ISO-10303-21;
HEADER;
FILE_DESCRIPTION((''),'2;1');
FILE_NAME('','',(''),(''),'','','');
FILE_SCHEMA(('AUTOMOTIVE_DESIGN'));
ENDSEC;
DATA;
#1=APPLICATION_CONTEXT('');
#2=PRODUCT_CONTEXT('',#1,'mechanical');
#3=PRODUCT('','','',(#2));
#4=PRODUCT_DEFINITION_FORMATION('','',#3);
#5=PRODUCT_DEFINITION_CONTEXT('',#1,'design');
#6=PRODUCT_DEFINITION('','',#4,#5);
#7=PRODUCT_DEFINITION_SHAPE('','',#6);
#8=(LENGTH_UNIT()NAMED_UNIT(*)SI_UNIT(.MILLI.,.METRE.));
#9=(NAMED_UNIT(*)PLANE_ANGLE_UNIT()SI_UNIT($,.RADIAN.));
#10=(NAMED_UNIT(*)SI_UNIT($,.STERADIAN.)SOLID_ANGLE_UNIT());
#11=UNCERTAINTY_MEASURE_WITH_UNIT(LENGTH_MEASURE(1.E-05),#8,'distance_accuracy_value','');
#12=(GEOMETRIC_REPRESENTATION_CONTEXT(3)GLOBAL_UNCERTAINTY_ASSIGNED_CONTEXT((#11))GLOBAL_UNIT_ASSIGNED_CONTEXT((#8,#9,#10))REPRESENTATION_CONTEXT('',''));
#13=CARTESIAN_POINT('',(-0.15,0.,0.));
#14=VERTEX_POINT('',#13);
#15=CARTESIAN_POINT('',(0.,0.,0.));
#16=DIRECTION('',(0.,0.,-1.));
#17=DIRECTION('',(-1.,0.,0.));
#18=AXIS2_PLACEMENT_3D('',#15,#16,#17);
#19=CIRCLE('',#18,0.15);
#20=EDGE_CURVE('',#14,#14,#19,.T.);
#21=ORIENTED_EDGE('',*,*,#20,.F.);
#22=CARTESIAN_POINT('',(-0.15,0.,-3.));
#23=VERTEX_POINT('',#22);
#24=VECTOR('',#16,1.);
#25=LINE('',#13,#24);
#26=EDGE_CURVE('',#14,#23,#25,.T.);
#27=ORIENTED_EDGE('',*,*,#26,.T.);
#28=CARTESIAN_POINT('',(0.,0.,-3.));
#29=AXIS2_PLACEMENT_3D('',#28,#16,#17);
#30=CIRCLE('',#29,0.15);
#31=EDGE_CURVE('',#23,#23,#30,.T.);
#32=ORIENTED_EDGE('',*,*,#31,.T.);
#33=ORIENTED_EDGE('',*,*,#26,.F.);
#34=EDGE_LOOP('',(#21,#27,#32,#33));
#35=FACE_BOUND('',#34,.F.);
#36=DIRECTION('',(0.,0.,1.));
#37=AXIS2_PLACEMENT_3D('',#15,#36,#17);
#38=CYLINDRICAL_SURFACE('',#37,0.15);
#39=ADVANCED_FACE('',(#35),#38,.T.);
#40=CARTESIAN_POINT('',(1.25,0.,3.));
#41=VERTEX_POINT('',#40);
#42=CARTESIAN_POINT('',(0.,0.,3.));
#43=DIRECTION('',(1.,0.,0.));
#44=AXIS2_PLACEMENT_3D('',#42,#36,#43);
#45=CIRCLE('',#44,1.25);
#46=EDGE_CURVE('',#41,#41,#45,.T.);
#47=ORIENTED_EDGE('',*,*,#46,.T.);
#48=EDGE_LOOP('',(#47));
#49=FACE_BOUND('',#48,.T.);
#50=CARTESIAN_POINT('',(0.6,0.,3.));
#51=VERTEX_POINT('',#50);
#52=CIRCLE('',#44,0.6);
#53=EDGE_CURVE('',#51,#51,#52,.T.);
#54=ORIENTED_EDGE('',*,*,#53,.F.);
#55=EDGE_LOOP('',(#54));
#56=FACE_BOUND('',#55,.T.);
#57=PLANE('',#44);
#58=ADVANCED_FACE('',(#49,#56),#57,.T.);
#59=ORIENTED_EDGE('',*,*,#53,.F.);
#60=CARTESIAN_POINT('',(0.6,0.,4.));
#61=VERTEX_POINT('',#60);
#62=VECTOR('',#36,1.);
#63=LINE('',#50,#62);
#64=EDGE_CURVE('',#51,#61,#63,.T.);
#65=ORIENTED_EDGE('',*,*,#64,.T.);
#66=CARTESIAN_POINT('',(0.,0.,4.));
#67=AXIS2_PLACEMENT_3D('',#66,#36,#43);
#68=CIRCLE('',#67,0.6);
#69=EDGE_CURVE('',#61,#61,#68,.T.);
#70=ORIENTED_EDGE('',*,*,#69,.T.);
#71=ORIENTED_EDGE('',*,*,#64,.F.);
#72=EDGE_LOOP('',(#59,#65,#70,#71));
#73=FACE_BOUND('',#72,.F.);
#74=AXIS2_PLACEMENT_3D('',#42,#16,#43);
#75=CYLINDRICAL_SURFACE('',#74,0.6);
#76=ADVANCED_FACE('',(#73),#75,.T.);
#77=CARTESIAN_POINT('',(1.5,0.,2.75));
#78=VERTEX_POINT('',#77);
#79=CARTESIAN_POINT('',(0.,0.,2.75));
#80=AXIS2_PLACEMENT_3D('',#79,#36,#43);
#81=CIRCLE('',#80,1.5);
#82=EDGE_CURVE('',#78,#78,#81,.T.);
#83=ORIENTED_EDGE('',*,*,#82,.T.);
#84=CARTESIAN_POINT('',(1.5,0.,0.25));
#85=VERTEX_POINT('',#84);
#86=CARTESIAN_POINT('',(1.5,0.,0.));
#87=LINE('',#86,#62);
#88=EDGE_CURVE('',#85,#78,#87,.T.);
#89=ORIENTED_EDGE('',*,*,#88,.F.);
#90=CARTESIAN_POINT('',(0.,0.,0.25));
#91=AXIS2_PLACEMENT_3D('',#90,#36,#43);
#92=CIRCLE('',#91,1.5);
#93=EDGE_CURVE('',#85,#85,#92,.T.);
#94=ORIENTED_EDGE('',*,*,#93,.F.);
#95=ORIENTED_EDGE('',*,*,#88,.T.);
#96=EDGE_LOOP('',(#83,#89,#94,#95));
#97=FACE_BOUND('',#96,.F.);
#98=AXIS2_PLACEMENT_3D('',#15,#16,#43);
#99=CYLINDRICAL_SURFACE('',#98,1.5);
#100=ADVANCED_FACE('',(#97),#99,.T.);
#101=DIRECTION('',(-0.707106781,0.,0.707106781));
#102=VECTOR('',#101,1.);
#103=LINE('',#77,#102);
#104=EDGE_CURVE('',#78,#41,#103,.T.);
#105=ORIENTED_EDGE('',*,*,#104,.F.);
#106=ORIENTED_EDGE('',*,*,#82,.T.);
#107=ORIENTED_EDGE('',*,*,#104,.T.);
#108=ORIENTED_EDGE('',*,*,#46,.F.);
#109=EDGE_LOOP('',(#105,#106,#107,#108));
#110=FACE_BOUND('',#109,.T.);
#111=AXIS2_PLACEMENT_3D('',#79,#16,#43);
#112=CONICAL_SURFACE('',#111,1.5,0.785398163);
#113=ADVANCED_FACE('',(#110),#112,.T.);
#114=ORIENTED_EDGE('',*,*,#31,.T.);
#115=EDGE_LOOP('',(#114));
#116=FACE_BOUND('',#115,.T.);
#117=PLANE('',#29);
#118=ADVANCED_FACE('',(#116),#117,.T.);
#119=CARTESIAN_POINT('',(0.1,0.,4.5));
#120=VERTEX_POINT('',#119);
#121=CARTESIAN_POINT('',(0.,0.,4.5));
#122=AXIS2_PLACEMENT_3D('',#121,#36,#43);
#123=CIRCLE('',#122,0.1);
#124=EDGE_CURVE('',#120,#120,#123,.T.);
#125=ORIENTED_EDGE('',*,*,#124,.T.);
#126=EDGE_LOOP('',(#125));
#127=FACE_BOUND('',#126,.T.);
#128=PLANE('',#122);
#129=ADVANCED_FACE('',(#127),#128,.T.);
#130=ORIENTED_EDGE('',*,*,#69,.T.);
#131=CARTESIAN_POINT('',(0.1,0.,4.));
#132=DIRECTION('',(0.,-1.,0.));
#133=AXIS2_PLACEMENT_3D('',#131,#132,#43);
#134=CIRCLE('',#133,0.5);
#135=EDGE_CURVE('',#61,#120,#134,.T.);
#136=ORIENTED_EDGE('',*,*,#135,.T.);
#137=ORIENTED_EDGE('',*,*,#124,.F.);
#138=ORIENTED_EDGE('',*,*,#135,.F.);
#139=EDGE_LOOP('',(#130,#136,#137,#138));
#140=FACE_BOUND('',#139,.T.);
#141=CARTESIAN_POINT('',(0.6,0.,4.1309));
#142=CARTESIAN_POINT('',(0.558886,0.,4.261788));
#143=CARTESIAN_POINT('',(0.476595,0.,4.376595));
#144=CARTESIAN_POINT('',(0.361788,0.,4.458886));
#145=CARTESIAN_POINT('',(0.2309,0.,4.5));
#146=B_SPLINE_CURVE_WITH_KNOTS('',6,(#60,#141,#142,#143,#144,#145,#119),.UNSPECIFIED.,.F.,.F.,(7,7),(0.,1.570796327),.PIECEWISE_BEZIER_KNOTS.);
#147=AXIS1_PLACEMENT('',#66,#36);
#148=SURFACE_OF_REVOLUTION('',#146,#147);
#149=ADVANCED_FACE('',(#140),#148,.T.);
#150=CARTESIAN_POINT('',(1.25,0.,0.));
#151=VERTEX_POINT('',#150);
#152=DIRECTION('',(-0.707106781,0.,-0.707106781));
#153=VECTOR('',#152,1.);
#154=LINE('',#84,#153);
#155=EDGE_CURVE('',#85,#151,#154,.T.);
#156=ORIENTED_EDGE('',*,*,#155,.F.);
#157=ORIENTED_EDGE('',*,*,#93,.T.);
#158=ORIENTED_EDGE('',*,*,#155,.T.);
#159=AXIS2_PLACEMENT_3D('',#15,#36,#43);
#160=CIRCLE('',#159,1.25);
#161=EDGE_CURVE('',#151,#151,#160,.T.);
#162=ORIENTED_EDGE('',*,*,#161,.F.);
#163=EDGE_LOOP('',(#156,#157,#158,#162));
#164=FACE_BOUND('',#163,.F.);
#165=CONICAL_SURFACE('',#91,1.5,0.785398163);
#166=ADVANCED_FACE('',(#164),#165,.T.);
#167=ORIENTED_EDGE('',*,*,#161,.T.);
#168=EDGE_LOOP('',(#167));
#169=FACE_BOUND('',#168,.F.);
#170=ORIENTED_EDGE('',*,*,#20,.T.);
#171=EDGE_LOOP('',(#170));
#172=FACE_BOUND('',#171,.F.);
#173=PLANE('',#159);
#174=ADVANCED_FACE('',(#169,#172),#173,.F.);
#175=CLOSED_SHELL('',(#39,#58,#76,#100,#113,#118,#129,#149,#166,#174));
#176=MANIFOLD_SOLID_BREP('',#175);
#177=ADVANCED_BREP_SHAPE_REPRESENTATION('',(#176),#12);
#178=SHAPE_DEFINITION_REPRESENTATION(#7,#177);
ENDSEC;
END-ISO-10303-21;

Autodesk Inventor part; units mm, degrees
ref_plane "YZ Plane" through (0, 0, 0) normal (1, 0, 0) x (0, 1, 0)
ref_plane "XZ Plane" through (0, 0, 0) normal (0, 1, 0) x (-1, 0, 0)
ref_plane "XY Plane" through (0, 0, 0) normal (0, 0, 1) x (1, 0, 0)
sketch "Sketch1" plane through (0, 0, 0) normal (0, 0, 1) x (1, 0, 0)
  circle A0 centre (0, 0) radius 1.5
  dimension "d0" = 3
extrude "Extrusion1" add sketch "Sketch1" along normal blind 3
chamfer "Chamfer1" distance 0.25 angle 45 2 edges at (-1.5, 0, 3) (-1.5, 0, 0)
sketch "Sketch2" plane through (0, 0, 3) normal (0, 0, 1) x (1, 0, 0)
  circle A0 centre (0, 0) radius 0.6
  dimension "d12" = 1.2
extrude "Extrusion2" add sketch "Sketch2" along normal blind 1.5
fillet "Fillet1" radius 0.5 1 edges at (-0.6, 0, 4.5)
sketch "Sketch3" plane through (0, 0, 0) normal (0, 0, -1) x (-1, 0, 0)
  circle A0 centre (0, 0) radius 0.15
  dimension "d9" = 0.3
extrude "Extrusion3" add sketch "Sketch3" along normal blind 3
properties part number "DC motor"
